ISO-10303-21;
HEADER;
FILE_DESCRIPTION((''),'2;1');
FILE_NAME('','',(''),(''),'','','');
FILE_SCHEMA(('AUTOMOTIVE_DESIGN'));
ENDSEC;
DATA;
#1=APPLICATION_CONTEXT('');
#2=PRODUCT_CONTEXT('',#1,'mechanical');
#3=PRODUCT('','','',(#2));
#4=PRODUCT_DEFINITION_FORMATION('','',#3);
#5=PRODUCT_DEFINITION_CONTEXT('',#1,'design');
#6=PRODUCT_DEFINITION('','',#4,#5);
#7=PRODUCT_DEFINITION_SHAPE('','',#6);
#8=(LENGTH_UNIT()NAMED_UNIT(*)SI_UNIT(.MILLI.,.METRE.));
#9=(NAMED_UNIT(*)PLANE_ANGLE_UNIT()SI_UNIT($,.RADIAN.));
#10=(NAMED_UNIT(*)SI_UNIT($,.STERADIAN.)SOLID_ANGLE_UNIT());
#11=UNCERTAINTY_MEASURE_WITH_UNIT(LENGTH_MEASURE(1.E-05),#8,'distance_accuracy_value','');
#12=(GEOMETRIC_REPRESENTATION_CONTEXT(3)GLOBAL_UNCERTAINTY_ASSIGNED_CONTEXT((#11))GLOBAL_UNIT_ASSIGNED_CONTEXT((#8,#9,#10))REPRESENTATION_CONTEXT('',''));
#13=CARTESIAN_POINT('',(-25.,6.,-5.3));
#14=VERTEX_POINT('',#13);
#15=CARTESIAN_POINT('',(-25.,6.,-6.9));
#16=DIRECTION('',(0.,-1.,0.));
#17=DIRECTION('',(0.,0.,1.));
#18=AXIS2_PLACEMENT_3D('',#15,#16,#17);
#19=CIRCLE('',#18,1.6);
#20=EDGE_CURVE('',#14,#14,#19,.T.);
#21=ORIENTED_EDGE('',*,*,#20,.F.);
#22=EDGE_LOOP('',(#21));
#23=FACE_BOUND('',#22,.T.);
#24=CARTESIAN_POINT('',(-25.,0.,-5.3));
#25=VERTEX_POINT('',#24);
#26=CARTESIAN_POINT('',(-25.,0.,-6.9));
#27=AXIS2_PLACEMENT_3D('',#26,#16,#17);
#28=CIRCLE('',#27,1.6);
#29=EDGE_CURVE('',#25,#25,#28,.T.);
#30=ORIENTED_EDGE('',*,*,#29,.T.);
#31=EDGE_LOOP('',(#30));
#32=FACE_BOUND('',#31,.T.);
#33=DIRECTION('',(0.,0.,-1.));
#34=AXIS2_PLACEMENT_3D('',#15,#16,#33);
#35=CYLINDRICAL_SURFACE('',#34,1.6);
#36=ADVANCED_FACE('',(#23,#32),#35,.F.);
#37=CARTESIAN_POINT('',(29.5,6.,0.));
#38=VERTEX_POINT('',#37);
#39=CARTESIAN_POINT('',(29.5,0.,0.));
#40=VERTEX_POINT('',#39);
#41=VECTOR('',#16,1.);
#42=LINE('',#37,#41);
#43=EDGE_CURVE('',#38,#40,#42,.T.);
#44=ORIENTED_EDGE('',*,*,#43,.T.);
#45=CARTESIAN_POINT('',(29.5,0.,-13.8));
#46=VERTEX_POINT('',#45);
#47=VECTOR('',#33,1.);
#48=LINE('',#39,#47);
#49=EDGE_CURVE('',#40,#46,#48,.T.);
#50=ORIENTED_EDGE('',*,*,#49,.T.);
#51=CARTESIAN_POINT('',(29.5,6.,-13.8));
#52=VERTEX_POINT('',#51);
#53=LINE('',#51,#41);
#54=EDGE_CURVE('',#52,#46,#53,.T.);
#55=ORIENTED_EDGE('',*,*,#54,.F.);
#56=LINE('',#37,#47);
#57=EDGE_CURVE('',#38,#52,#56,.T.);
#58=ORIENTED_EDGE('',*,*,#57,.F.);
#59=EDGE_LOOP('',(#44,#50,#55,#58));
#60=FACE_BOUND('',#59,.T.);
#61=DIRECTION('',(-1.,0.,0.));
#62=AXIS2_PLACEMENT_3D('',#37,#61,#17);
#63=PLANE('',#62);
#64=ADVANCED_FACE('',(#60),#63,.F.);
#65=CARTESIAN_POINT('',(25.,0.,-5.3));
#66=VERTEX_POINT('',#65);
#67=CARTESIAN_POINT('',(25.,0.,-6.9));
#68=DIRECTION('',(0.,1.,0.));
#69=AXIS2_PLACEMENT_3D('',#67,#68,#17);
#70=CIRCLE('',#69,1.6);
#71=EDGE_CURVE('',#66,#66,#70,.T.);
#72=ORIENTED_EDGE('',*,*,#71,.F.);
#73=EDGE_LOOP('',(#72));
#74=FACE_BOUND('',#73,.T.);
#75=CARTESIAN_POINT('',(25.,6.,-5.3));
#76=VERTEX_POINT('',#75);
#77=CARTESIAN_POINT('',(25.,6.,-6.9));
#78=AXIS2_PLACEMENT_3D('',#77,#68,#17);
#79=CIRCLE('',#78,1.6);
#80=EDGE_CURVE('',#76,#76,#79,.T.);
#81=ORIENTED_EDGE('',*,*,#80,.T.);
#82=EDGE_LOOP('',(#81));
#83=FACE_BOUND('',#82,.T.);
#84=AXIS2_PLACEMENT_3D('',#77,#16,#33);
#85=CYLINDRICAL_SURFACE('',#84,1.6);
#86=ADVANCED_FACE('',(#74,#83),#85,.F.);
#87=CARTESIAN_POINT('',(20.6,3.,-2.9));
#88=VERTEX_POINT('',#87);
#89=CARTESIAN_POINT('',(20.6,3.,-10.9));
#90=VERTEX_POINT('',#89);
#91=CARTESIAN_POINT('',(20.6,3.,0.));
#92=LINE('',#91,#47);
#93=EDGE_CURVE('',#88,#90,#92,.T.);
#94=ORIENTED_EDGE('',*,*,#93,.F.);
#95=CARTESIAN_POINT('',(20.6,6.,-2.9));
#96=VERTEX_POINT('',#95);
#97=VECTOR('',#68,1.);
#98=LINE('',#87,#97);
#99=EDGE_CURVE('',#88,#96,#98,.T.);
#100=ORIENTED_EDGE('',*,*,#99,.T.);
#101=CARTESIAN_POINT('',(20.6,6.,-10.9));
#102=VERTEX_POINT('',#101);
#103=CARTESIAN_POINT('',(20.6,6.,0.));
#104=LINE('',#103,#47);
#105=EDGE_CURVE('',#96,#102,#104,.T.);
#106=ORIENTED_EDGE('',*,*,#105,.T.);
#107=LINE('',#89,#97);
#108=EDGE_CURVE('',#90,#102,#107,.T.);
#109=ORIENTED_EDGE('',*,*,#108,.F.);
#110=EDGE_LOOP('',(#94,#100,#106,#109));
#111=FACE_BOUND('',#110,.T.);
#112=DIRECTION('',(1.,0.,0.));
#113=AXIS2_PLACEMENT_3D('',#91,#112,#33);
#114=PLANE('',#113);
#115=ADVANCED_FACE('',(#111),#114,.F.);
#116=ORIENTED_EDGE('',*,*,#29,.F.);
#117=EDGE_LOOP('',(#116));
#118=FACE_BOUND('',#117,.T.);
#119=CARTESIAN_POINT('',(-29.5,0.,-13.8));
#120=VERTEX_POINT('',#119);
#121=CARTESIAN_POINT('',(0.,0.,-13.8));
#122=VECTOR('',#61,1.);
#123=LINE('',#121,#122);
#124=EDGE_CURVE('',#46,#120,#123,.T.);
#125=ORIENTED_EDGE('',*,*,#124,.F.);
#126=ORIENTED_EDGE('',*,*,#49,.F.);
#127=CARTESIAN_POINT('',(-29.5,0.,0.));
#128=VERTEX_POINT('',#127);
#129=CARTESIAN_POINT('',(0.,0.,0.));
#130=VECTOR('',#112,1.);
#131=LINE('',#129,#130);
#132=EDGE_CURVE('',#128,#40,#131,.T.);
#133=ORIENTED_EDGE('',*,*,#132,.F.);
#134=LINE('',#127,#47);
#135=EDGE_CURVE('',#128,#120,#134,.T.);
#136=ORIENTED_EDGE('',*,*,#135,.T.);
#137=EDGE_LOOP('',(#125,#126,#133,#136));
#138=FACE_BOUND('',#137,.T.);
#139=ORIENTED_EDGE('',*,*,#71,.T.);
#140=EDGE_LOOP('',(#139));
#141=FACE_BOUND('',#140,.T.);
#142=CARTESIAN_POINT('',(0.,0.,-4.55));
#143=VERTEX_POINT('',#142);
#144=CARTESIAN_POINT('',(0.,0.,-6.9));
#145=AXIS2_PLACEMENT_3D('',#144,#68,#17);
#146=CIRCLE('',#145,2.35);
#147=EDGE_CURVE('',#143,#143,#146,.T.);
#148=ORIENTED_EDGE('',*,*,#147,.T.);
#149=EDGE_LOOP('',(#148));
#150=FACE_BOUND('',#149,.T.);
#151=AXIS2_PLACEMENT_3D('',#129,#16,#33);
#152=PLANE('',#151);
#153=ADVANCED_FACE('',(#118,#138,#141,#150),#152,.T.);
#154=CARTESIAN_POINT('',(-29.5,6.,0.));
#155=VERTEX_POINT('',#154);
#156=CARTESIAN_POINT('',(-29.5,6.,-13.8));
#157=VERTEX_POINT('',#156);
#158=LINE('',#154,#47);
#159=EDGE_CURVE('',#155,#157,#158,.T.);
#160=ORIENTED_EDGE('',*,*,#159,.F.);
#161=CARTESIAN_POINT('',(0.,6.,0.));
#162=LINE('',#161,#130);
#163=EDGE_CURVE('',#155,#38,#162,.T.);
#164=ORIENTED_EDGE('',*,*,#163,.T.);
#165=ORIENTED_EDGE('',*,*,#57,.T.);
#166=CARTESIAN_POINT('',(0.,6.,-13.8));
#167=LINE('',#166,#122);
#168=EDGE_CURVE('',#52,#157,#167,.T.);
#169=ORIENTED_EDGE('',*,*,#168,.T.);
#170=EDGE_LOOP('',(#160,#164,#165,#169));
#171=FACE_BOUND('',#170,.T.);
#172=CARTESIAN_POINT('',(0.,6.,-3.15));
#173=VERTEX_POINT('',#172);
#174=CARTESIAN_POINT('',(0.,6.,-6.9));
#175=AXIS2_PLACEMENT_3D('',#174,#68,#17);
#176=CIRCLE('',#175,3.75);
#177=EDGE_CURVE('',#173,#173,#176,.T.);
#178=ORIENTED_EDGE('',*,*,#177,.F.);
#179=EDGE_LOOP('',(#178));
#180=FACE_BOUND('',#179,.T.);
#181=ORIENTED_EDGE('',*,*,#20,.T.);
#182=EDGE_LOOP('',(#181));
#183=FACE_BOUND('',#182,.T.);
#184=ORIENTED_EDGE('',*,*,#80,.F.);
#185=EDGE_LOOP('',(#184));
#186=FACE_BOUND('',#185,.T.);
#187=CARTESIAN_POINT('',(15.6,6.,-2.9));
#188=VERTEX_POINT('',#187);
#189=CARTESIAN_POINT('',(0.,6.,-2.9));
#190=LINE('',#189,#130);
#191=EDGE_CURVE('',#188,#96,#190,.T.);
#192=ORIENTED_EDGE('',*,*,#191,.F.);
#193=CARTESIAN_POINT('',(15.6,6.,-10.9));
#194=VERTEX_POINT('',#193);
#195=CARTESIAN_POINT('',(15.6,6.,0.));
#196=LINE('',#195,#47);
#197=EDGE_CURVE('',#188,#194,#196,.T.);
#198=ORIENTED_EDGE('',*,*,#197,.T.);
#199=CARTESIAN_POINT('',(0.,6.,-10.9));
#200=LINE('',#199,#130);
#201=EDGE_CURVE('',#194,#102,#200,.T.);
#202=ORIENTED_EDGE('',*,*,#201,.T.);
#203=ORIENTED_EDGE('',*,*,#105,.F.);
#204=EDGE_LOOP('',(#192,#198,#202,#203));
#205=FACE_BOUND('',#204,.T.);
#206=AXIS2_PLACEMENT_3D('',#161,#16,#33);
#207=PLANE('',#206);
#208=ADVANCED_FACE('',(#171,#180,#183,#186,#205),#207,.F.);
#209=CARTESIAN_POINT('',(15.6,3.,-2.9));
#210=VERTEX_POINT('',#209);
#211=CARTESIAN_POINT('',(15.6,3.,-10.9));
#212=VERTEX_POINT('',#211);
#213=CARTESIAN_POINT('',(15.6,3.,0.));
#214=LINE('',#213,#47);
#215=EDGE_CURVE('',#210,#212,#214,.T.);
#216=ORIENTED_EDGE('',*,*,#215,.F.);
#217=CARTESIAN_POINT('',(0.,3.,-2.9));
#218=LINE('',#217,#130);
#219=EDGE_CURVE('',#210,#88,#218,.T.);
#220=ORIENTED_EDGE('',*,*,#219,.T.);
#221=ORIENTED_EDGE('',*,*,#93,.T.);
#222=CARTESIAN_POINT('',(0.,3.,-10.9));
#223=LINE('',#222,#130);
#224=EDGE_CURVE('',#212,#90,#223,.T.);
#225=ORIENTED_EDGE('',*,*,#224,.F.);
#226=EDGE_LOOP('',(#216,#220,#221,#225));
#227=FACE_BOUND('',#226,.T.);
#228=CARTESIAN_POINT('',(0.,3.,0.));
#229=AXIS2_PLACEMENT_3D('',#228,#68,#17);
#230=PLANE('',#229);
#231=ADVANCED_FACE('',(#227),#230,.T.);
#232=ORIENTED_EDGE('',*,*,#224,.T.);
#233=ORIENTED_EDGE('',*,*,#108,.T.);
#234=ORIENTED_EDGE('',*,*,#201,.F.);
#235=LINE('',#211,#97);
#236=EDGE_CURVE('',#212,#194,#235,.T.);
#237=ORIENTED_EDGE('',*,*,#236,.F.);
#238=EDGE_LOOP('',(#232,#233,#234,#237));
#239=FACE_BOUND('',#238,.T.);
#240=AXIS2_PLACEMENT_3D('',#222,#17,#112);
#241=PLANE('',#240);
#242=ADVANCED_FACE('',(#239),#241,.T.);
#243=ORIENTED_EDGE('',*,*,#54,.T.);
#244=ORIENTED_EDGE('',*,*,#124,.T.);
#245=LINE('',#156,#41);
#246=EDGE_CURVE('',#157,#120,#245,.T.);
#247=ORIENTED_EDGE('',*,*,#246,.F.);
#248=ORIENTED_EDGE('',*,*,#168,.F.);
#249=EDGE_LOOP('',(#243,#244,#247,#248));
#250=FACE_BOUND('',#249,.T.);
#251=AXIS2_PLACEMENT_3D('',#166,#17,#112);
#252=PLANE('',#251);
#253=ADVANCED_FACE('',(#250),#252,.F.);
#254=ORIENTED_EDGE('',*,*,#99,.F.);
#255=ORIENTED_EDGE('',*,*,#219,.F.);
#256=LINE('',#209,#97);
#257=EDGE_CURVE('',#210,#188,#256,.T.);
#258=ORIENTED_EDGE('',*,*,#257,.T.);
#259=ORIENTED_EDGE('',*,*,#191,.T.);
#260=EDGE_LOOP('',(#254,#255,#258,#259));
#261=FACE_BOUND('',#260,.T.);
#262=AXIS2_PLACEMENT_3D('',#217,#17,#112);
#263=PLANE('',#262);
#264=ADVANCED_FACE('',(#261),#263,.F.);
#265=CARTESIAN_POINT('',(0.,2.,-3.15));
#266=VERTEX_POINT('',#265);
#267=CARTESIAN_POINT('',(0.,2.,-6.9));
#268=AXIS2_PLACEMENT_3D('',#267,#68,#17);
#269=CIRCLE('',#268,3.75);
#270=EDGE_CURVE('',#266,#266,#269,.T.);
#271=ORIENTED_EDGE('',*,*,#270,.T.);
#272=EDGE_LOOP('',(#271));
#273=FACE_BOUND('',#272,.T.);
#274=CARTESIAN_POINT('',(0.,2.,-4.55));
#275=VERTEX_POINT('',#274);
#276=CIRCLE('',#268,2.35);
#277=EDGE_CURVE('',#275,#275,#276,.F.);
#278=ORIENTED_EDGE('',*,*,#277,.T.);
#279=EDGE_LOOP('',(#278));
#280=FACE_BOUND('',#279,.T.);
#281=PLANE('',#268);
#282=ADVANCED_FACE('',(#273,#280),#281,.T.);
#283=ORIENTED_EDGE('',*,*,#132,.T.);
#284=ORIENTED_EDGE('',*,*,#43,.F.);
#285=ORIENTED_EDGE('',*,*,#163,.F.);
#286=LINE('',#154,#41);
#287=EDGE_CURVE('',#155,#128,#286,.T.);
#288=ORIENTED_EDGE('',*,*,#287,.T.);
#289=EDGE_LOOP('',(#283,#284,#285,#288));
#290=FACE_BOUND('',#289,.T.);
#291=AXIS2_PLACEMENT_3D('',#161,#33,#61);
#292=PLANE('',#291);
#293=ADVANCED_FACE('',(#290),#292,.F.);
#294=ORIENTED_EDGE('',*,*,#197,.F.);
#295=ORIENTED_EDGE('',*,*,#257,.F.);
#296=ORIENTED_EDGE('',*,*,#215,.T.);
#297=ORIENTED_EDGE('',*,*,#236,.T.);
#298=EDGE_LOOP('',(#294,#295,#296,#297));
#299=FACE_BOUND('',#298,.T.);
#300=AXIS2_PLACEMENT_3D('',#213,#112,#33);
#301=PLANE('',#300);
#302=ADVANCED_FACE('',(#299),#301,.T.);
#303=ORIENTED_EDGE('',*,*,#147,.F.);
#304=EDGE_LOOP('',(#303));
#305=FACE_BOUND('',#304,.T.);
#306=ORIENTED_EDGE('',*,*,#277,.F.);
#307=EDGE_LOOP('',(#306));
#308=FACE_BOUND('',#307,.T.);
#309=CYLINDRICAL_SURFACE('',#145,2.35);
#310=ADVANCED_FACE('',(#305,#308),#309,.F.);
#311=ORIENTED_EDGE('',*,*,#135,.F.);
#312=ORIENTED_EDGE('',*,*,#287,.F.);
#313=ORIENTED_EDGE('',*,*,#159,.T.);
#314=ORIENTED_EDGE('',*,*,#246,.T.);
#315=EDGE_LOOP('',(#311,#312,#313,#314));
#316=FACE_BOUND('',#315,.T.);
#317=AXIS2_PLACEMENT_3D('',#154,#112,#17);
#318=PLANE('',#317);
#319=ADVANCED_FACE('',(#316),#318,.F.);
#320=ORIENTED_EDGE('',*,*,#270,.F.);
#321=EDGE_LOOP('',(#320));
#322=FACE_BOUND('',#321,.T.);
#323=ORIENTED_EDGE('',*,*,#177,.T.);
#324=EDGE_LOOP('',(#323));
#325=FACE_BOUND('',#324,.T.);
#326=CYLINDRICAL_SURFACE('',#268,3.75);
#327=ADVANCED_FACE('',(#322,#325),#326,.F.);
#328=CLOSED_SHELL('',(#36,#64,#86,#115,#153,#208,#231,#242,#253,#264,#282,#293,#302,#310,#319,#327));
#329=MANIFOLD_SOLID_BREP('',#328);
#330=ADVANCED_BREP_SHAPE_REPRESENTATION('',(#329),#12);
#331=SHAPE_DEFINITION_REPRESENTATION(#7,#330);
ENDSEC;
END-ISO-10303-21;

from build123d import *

# Parameters (mm, degrees)
ESQUISSE1_W             = 29.5
ESQUISSE1_H             = 13.8
ESQUISSE1_R             = 1.6
BOSS_EXTRU_1_DEPTH      = 6
ESQUISSE2_R             = 2.35
ENL_V_MAT_EXTRU_1_DEPTH = 7
ESQUISSE3_R             = 3.75
ENL_V_MAT_EXTRU_2_DEPTH = 4
ESQUISSE5_W             = 5
ESQUISSE5_H             = 8
ENL_V_MAT_EXTRU_3_DEPTH = 3


with BuildPart() as part:
    # Esquisse1 → Boss.-Extru.1 (new body)
    with BuildSketch(Plane(origin=(0, 0, 0), x_dir=(1, 0, 0), z_dir=(0, 1, 0))):
        with Locations((14.75, 6.9)):
            Rectangle(ESQUISSE1_W, ESQUISSE1_H)
        with Locations((25, 6.9)):
            Circle(ESQUISSE1_R, mode=Mode.SUBTRACT)
    extrude(amount=BOSS_EXTRU_1_DEPTH)

    # Esquisse2 → Enlèv. mat.-Extru.1 (cut, through all)
    with BuildSketch(Plane(origin=(0, 6, 0), x_dir=(1, 0, 0), z_dir=(0, 1, 0))):
        with Locations((0, 6.9)):
            Circle(ESQUISSE2_R)
    extrude(amount=-ENL_V_MAT_EXTRU_1_DEPTH, mode=Mode.SUBTRACT)

    # Esquisse3 → Enlèv. mat.-Extru.2 (cut)
    with BuildSketch(Plane(origin=(0, 6, 0), x_dir=(1, 0, 0), z_dir=(0, 1, 0))):
        with Locations((0, 6.9)):
            Circle(ESQUISSE3_R)
    extrude(amount=-ENL_V_MAT_EXTRU_2_DEPTH, mode=Mode.SUBTRACT)

    # Symétrie1: part across plane


with BuildPart() as part_1:
    add(part.part)
    add(part.part.mirror(Plane(origin=(0, 6, 0), x_dir=(0, 0, 1), z_dir=(1, 0, 0))))

    # Esquisse5 → Enlèv. mat.-Extru.3 (cut)
    with BuildSketch(Plane.XZ.offset(-6)):
        with Locations((18.1, -6.9)):
            Rectangle(ESQUISSE5_W, ESQUISSE5_H)
    extrude(amount=ENL_V_MAT_EXTRU_3_DEPTH, mode=Mode.SUBTRACT)


solid = part_1.part
